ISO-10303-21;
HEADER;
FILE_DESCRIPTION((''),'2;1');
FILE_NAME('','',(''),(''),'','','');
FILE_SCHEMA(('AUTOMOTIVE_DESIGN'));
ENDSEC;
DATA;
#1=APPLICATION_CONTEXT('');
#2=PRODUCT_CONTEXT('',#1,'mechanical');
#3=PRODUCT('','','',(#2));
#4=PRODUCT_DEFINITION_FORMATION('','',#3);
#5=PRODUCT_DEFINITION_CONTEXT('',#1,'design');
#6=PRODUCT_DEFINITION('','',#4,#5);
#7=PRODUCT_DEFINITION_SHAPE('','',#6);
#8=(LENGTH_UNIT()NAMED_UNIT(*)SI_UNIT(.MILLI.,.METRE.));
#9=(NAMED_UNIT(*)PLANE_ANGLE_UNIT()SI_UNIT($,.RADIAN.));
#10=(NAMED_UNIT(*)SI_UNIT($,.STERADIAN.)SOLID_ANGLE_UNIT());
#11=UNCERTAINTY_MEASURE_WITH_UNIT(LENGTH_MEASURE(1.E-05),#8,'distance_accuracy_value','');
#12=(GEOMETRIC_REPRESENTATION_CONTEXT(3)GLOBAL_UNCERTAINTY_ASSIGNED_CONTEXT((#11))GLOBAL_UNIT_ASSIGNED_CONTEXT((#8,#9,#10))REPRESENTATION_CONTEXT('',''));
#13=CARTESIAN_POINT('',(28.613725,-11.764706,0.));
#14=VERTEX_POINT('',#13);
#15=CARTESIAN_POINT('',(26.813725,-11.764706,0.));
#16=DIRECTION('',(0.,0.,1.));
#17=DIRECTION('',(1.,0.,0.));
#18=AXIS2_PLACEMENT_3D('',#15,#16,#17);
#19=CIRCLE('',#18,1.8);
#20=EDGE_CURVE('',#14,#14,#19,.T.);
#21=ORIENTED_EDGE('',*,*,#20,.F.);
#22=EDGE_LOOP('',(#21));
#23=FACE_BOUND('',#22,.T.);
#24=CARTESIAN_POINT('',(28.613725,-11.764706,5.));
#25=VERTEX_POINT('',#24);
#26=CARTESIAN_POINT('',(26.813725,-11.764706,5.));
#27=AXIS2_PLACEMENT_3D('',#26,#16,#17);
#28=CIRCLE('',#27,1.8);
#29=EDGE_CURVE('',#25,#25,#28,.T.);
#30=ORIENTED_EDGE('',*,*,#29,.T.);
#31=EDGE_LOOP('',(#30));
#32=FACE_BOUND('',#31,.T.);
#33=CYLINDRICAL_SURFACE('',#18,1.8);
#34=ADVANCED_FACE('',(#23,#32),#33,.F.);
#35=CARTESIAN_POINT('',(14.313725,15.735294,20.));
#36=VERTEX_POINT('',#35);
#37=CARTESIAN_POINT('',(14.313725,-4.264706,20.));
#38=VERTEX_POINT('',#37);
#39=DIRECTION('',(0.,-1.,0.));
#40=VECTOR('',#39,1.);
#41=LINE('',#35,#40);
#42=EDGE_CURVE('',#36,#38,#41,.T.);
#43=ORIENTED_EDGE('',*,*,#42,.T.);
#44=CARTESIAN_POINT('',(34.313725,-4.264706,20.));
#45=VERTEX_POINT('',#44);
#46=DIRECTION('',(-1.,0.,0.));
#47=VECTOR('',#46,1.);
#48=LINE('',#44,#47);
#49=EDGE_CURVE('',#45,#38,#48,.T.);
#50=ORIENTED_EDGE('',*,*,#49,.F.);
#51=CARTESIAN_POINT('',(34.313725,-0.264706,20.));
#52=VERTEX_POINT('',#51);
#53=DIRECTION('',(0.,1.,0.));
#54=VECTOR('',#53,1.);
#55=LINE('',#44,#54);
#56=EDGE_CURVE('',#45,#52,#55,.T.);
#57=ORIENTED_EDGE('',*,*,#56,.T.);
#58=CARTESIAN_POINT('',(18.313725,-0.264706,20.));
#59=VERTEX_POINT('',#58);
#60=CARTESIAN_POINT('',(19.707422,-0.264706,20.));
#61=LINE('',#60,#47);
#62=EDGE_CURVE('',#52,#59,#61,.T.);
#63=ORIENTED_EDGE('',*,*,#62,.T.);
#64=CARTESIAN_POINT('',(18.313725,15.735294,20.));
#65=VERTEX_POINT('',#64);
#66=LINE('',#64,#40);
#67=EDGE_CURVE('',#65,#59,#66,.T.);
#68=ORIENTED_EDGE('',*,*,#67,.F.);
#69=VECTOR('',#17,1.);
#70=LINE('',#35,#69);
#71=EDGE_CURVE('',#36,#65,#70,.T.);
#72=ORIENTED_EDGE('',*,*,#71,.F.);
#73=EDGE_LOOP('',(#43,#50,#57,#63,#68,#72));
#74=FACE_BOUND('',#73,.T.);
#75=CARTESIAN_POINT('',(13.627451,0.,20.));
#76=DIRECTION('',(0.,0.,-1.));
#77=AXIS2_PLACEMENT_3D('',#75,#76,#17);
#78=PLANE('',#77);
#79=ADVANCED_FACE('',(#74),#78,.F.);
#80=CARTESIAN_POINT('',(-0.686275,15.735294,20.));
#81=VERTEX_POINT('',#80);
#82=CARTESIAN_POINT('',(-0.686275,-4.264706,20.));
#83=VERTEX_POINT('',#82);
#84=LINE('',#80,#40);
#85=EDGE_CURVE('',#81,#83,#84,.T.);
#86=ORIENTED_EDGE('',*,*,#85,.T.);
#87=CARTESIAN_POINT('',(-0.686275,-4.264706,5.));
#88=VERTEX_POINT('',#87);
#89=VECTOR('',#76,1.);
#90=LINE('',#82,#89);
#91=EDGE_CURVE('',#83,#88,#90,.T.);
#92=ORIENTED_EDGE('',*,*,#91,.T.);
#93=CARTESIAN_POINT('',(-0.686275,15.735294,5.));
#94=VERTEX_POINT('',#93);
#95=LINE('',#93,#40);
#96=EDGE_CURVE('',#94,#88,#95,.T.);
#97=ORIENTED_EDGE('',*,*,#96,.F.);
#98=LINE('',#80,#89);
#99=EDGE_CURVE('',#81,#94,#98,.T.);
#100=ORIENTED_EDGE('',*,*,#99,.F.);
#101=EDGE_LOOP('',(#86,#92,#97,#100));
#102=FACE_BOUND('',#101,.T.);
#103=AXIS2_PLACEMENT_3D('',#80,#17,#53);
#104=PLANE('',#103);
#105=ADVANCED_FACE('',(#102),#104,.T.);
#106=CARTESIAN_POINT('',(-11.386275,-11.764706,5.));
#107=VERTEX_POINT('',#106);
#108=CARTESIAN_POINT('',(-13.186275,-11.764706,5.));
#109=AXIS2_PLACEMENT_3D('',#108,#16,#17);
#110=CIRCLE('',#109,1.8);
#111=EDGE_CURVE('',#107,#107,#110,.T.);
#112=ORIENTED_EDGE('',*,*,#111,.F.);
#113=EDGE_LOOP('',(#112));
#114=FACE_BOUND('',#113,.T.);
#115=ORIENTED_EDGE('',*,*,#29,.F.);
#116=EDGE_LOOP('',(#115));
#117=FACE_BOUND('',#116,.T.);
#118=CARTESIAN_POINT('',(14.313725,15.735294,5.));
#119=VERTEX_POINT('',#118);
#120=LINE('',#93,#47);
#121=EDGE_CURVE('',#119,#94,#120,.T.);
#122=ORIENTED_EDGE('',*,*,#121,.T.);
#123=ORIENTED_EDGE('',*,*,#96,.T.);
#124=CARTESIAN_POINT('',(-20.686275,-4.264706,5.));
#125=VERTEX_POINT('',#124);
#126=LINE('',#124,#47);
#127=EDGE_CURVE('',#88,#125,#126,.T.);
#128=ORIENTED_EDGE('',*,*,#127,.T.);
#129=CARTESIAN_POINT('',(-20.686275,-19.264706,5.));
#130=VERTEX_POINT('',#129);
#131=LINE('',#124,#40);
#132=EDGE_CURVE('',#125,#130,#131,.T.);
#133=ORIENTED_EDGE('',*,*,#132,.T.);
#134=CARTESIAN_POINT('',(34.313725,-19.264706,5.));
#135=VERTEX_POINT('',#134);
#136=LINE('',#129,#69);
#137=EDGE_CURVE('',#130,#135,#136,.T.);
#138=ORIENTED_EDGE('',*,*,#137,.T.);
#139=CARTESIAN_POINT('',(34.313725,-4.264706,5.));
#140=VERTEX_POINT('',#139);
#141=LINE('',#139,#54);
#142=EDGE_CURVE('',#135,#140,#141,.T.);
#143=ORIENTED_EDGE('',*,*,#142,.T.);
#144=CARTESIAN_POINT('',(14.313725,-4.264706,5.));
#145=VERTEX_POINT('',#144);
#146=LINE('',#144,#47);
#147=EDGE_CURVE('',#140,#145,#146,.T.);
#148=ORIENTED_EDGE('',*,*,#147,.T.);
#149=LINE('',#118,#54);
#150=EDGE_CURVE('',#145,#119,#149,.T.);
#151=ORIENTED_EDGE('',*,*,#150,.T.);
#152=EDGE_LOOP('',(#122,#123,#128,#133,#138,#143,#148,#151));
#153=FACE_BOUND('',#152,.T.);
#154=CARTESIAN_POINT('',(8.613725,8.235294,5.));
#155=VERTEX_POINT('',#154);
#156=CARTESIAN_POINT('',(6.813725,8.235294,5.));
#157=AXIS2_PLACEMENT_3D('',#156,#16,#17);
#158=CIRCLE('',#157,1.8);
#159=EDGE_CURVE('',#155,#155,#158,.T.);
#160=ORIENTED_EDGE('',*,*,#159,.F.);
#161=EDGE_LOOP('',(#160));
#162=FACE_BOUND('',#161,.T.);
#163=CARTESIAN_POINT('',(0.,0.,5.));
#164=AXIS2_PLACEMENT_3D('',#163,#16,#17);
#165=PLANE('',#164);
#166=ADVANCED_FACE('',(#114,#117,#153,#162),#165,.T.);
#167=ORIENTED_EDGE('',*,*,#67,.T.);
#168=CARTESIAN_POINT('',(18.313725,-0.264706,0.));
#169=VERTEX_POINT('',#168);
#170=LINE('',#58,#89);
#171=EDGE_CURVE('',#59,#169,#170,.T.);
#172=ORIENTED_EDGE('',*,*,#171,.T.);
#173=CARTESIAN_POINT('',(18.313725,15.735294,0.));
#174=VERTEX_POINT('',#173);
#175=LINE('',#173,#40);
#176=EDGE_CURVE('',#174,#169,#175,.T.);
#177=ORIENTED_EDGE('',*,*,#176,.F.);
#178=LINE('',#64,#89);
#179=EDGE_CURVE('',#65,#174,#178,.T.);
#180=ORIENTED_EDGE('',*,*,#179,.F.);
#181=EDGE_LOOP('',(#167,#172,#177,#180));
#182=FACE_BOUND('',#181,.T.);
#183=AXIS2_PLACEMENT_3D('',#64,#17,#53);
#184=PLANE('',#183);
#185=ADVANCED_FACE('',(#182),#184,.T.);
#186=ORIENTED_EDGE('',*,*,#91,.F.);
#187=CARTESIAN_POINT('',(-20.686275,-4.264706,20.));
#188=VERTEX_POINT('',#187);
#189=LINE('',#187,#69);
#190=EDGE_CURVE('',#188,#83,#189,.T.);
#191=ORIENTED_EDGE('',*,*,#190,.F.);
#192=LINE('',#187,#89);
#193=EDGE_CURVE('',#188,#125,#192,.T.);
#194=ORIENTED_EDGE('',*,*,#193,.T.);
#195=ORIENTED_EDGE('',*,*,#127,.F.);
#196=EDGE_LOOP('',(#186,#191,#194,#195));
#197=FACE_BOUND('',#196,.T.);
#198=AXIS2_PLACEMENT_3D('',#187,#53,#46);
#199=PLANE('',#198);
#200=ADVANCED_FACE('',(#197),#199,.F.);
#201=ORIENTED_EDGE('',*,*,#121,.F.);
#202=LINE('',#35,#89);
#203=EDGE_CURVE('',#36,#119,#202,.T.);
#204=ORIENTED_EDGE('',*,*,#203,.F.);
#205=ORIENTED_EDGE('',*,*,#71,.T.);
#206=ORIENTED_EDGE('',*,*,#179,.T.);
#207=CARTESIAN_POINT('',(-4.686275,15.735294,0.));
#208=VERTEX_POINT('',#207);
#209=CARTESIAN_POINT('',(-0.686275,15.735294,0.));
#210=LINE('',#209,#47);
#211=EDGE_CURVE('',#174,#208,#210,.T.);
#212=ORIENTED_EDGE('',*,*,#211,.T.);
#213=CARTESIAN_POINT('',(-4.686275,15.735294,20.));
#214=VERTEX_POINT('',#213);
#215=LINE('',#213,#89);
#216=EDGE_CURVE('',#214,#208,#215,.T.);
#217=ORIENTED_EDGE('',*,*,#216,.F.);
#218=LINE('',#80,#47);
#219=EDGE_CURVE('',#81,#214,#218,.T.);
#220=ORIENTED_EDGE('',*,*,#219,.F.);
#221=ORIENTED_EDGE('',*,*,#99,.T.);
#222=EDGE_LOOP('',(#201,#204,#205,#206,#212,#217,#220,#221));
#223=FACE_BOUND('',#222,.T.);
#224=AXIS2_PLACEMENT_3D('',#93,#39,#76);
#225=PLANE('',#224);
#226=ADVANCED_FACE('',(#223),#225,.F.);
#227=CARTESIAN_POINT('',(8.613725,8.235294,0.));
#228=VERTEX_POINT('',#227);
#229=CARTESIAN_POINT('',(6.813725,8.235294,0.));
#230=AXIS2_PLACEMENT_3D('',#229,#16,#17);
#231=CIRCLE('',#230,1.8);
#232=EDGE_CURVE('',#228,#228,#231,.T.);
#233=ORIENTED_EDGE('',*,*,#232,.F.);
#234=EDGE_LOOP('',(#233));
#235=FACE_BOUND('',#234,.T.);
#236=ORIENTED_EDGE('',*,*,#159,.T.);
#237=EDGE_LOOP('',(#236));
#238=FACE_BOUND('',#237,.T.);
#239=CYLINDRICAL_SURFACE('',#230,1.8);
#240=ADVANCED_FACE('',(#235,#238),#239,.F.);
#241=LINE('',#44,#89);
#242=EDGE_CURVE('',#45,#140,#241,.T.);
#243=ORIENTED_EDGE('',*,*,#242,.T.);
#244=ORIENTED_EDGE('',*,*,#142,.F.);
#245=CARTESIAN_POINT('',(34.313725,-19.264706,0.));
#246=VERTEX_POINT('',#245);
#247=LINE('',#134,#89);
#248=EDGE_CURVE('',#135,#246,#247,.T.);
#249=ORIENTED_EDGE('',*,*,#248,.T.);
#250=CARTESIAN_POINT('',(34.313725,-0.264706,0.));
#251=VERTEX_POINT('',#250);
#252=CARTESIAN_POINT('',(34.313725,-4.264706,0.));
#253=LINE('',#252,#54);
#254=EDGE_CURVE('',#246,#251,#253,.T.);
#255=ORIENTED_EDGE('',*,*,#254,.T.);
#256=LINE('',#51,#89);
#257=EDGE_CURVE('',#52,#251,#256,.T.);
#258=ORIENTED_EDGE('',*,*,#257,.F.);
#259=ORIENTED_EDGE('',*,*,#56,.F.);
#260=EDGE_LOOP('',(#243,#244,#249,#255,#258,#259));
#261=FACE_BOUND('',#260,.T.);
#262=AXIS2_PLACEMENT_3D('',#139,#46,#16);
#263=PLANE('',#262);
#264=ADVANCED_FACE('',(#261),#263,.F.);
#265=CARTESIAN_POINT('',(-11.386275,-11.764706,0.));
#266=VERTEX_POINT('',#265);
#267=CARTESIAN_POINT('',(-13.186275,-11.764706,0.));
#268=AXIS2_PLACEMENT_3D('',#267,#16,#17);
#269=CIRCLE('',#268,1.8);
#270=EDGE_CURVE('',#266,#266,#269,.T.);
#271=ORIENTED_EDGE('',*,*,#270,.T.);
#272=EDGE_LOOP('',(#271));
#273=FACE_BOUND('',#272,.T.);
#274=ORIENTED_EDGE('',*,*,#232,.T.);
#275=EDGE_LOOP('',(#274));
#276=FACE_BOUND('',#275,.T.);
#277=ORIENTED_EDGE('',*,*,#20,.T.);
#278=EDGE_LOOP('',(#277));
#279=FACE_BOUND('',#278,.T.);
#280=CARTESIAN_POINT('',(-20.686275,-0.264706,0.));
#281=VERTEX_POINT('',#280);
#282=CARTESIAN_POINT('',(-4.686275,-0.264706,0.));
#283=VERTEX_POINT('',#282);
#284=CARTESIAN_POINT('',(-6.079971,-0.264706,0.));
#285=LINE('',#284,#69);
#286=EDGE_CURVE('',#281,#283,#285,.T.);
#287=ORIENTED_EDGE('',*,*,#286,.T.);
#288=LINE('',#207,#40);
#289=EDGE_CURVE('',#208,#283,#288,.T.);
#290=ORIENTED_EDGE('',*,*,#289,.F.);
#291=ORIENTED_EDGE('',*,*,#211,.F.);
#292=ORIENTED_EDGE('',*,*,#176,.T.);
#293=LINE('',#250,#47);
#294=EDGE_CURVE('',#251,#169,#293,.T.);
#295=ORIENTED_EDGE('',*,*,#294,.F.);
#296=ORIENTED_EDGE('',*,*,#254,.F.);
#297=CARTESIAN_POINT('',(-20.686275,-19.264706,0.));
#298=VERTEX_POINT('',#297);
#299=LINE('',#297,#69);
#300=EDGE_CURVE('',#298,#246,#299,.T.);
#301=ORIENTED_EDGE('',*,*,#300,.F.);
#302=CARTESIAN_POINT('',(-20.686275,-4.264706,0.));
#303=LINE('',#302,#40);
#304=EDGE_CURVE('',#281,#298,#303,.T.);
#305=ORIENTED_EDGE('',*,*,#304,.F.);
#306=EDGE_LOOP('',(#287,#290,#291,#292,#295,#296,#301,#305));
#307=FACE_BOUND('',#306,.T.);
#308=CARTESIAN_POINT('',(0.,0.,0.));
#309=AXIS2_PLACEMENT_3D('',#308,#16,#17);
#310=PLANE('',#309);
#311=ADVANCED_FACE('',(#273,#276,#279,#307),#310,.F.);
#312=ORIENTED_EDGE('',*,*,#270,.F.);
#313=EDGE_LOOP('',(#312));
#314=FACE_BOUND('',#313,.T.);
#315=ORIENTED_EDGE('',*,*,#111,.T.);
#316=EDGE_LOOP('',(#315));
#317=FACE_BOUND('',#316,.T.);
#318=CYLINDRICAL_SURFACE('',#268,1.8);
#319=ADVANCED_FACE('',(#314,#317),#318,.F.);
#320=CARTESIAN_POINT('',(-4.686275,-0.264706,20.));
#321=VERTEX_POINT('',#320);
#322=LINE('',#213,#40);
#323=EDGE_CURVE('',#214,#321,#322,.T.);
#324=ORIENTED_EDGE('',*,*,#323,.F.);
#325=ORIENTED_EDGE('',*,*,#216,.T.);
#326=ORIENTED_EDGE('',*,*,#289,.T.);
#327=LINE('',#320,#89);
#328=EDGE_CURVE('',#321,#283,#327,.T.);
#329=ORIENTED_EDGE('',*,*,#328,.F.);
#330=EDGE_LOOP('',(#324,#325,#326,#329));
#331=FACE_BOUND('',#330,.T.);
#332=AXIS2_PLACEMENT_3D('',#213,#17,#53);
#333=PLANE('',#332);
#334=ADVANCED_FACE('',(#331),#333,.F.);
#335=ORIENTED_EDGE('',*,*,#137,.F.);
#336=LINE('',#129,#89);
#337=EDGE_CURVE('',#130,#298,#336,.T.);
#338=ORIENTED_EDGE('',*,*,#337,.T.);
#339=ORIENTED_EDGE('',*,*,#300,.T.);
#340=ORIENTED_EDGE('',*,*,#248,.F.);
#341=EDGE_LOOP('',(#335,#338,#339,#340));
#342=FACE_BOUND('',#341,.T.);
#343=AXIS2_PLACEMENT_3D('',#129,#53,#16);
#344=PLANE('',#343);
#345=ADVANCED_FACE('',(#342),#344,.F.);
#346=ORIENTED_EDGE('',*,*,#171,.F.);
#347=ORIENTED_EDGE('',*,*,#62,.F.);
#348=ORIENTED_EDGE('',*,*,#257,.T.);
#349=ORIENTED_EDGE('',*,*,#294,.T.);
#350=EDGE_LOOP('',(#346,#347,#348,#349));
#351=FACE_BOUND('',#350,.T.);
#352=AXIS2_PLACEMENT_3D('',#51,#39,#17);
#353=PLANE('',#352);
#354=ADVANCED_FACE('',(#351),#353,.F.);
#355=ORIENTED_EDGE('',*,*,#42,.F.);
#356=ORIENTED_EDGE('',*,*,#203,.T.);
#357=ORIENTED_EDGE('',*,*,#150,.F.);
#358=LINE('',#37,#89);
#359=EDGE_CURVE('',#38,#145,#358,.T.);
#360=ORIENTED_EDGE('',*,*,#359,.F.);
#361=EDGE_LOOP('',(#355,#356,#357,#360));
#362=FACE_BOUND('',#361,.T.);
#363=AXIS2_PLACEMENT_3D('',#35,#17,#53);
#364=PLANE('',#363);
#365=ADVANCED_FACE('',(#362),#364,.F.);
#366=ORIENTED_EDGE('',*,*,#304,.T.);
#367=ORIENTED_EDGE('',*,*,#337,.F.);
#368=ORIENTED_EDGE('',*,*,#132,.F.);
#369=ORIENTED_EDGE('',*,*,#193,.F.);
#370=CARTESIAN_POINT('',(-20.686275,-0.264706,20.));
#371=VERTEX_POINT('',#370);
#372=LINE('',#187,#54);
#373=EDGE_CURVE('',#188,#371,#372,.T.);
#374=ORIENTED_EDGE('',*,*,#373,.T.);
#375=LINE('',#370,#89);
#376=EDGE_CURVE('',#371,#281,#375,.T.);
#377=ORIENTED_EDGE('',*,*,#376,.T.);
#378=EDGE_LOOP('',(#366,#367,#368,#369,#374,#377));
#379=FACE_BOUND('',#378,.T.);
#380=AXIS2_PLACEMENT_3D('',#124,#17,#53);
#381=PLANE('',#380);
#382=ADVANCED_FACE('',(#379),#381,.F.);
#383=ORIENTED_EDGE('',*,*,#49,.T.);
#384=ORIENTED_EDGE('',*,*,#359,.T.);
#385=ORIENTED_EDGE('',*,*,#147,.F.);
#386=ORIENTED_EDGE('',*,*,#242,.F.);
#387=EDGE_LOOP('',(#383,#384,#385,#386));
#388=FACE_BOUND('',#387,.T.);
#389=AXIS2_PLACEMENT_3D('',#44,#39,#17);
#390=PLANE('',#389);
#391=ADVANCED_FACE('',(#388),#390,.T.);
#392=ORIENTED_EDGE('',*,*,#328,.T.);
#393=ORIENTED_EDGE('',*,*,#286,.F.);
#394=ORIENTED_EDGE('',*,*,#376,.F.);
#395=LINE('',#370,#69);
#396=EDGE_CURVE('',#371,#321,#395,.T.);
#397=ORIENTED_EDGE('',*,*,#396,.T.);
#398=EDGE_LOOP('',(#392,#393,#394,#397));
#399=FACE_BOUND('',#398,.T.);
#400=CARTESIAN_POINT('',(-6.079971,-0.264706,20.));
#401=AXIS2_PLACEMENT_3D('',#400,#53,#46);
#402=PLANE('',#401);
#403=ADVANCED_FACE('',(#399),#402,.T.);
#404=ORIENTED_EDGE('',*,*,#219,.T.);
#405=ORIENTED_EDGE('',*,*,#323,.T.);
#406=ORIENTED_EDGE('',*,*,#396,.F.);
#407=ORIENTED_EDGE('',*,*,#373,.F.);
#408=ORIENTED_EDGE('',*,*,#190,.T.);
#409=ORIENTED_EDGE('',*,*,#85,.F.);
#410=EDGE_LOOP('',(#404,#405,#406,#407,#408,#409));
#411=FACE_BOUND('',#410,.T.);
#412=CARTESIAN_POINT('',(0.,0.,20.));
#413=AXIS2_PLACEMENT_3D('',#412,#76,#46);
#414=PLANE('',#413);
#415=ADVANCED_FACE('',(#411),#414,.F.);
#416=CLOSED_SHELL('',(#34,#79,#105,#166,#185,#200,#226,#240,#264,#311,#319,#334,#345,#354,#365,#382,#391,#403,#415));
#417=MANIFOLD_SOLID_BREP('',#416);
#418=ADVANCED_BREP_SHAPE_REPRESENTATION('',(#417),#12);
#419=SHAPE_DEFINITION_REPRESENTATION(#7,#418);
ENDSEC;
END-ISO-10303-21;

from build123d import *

# Parameters (mm, degrees)
BOSS_EXTRUDE1_DEPTH = 5
BOSS_EXTRUDE2_DEPTH = 20
SKETCH6_R           = 1.8
CUT_EXTRUDE3_DEPTH  = 6


with BuildPart() as part:
    # Sketch1 → Boss-Extrude1 (new body)
    with BuildSketch(Plane.XY):
        Polygon((14.31372549, -4.264705882), (34.31372549, -4.264705882), (34.31372549, -19.264705882), (-20.68627451, -19.264705882), (-20.68627451, -4.264705882), (-0.68627451, -4.264705882), (-0.68627451, 15.735294118), (14.31372549, 15.735294118), align=None)
    extrude(amount=BOSS_EXTRUDE1_DEPTH)

    # Sketch2 → Boss-Extrude2 (add)
    with BuildSketch(Plane(origin=(0, 0, 0), x_dir=(-1, 0, 0), z_dir=(0, 0, -1))):
        Polygon((0.68627451, 15.735294118), (4.68627451, 15.735294118), (4.68627451, -0.264705882), (6.079970528, -0.264705882), (20.68627451, -0.264705882), (20.68627451, -4.264705882), (0.68627451, -4.264705882), align=None)
    boss_extrude2 = extrude(amount=-BOSS_EXTRUDE2_DEPTH)

    # Mirror1: Boss-Extrude2 across plane
    add(boss_extrude2.mirror(Plane.ZY.offset(-6.81372549)))

    # Sketch6 → Cut-Extrude3 (cut, through all)
    with BuildSketch(Plane.XY.offset(5)):
        with Locations((6.81372549, 8.235294118)):
            Circle(SKETCH6_R)
        with Locations((-13.18627451, -11.764705882)):
            Circle(SKETCH6_R)
        with Locations((26.81372549, -11.764705882)):
            Circle(SKETCH6_R)
    extrude(amount=-CUT_EXTRUDE3_DEPTH, mode=Mode.SUBTRACT)


solid = part.part
